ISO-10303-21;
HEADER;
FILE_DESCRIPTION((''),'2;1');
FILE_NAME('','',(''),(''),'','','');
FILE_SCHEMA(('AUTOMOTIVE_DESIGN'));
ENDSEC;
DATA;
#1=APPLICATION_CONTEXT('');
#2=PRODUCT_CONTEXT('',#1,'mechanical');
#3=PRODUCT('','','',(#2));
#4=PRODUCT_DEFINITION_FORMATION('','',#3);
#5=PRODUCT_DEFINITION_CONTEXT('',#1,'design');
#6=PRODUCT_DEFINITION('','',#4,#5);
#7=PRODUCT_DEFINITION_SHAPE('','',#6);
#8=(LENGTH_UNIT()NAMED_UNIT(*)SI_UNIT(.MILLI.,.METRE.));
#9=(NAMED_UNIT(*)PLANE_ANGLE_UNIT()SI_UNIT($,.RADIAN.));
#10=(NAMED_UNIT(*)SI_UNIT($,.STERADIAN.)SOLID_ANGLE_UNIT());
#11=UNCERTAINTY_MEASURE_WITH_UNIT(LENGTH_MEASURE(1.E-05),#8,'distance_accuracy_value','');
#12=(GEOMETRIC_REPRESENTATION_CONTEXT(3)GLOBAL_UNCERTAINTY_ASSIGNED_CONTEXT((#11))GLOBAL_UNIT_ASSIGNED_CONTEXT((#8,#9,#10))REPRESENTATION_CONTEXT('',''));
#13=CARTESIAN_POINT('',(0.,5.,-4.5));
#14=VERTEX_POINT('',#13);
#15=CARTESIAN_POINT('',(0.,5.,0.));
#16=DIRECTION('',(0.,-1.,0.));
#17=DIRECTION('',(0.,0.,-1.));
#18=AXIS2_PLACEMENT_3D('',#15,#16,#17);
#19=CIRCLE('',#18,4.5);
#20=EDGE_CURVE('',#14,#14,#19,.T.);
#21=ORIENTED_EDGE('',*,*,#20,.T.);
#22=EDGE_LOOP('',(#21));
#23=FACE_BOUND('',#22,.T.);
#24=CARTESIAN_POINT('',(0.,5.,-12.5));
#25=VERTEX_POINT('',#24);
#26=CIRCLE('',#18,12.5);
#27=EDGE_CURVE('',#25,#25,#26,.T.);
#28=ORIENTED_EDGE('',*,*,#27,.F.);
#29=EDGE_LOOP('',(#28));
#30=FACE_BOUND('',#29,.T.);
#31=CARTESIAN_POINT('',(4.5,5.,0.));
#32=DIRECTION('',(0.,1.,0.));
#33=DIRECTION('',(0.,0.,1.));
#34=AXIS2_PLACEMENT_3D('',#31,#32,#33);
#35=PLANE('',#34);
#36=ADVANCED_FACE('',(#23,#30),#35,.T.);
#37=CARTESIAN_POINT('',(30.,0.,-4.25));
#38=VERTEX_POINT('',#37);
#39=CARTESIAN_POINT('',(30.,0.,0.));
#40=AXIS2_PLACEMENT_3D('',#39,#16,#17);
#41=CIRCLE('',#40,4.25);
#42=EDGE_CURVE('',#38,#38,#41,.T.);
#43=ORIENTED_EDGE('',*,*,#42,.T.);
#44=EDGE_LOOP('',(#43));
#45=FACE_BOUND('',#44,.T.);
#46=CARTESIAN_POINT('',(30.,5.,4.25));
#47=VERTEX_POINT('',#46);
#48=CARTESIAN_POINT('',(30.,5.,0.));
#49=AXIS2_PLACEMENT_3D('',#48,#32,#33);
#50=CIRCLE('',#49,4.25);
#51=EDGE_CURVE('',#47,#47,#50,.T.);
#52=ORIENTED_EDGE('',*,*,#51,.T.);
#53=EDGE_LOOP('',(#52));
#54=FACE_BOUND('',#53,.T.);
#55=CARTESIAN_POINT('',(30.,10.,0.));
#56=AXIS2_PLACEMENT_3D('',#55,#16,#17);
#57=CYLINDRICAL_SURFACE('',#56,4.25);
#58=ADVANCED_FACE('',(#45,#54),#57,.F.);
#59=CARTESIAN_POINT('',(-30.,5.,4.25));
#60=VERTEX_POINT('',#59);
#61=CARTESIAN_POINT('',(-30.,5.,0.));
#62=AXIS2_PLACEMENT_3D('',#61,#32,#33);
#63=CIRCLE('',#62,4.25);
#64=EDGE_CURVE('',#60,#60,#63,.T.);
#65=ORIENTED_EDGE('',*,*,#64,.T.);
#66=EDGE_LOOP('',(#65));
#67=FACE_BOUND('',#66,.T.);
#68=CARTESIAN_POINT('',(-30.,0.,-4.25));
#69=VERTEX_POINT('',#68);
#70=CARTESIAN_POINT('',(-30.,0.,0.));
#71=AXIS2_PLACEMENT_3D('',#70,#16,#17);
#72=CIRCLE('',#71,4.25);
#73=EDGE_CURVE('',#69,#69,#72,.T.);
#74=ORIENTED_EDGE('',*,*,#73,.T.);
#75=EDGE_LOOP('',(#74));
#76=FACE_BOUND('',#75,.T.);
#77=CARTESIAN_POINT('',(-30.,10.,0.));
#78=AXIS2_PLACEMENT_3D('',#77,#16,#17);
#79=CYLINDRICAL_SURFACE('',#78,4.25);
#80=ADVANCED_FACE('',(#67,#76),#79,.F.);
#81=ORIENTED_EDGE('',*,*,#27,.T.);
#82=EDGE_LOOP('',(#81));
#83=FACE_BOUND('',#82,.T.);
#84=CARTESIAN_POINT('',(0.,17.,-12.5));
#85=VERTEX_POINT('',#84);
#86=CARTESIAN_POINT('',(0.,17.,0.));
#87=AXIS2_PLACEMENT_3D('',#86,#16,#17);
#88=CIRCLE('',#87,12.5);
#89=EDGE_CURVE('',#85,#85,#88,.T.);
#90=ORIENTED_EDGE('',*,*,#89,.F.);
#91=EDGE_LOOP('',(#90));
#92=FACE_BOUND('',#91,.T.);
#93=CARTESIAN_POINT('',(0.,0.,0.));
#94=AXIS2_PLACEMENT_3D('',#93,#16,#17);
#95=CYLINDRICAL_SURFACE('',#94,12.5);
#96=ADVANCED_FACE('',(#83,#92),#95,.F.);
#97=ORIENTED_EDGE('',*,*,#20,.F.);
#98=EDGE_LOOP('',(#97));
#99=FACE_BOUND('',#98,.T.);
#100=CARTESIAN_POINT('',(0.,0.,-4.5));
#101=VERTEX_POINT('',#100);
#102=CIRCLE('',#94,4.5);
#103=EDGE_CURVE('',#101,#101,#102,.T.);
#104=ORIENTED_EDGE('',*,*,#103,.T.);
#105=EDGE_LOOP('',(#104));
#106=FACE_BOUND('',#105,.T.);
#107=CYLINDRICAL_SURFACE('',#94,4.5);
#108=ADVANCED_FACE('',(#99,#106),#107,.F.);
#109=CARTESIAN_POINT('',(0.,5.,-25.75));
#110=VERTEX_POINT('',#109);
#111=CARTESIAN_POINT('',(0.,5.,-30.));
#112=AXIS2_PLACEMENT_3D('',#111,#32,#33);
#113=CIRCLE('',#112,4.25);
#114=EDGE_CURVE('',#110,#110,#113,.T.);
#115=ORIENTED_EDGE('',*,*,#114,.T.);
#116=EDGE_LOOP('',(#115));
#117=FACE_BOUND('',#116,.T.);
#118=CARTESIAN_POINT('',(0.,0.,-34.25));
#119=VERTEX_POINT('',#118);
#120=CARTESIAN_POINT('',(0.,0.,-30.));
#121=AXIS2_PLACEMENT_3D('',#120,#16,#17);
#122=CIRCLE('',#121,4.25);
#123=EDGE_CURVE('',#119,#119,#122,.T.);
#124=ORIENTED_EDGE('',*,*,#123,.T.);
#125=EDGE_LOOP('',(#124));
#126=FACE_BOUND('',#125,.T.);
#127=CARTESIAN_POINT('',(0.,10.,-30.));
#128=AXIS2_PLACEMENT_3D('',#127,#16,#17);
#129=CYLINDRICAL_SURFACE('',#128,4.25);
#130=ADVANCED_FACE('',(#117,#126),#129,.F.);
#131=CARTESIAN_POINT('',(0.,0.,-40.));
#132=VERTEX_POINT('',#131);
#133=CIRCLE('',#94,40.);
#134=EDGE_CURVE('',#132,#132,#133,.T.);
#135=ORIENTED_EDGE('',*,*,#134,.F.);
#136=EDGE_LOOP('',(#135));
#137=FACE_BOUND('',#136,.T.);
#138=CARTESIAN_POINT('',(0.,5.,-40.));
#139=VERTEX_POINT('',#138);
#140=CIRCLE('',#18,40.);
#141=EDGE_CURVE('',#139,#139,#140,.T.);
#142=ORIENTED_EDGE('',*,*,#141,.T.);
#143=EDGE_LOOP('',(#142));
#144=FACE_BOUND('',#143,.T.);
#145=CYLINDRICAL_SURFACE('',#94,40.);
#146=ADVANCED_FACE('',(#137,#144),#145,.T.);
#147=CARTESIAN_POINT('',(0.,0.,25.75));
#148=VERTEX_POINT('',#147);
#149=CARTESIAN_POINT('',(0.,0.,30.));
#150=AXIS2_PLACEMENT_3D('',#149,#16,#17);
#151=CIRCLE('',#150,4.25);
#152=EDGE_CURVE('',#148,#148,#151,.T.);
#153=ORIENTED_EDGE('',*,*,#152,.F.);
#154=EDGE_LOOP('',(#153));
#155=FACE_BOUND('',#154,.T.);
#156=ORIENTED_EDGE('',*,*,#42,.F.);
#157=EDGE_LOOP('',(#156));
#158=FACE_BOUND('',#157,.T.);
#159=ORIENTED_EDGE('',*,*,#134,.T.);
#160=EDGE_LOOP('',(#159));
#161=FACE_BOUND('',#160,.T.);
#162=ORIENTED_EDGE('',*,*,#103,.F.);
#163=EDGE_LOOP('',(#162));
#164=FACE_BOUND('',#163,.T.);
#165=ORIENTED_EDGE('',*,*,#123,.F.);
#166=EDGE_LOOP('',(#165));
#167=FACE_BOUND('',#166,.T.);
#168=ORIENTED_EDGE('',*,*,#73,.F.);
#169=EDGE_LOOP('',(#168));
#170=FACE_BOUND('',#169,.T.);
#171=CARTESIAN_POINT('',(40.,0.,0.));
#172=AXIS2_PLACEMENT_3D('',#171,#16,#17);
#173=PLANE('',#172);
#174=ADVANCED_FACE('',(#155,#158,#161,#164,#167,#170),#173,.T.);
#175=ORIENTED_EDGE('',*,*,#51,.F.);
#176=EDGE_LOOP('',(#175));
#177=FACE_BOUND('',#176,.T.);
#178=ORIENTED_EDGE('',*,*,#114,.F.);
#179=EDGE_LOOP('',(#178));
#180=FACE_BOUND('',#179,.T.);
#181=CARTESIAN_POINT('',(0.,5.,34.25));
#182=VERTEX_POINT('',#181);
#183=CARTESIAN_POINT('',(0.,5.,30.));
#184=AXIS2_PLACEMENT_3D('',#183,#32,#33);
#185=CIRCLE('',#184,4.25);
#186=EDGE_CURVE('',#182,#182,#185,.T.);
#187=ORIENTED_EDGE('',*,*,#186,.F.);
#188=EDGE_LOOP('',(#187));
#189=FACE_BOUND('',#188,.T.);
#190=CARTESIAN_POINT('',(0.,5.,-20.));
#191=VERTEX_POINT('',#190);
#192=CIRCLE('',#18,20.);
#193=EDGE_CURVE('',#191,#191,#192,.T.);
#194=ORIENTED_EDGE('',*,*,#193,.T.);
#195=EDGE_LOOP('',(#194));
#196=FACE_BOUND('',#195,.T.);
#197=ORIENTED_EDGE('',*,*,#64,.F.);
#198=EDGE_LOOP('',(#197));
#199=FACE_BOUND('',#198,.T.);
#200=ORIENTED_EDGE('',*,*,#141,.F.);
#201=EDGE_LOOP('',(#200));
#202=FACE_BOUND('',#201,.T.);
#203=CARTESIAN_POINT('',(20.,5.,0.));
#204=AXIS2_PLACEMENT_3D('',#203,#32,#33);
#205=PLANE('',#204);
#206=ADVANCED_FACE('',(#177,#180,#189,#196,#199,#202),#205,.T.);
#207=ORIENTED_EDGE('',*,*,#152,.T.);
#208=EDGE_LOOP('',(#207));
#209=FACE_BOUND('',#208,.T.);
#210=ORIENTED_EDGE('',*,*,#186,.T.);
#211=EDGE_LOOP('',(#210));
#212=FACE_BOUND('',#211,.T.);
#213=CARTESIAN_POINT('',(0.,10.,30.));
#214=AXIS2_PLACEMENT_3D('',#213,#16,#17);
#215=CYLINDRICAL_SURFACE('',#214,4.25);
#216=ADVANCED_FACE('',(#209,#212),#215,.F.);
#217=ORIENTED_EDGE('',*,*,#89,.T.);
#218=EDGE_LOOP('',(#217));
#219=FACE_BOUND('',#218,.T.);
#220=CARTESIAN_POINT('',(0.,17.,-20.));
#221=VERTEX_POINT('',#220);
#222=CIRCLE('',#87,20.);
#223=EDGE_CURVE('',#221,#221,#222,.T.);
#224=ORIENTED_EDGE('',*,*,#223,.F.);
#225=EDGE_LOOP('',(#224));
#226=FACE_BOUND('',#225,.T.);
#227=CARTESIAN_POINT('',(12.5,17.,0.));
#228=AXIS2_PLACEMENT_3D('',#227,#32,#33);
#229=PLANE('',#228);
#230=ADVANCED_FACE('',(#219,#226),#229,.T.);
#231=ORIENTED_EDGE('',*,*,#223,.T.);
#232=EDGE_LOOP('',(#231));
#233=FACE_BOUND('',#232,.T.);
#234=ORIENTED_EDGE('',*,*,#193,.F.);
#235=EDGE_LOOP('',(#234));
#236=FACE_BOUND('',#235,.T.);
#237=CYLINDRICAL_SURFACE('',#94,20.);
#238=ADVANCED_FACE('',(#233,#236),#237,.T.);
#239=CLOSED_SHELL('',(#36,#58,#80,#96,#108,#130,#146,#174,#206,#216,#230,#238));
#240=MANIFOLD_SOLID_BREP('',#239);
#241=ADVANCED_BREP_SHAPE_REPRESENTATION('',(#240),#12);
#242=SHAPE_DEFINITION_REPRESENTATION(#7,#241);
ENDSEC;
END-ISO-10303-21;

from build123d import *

# Parameters (mm, degrees)
SKETCH2_R          = 4.25
CUT_EXTRUDE1_DEPTH = 10


with BuildPart() as part:
    # Sketch1 → Revolve1 (revolve)
    with BuildSketch(Plane.XY, mode=Mode.PRIVATE) as revolve1_sk:
        Polygon((4.5, 5), (12.5, 5), (12.5, 17), (20, 17), (20, 5), (40, 5), (40, 0), (4.5, 0), align=None)
    revolve(revolve1_sk.sketch.rotate(Axis((0, 0, 0), (0, 1, 0)), 90), axis=Axis((0, 0, 0), (0, 1, 0)))

    # Sketch2 → Cut-Extrude1 (cut)
    with BuildSketch(Plane.XZ):
        with Locations(Location((0, 30, 0), (0, 0, 270))):
            Circle(SKETCH2_R)
        with Locations(Location((30, 0, 0), (0, 0, 270))):
            Circle(SKETCH2_R)
        with Locations(Location((0, -30, 0), (0, 0, 270))):
            Circle(SKETCH2_R)
        with Locations(Location((-30, 0, 0), (0, 0, 270))):
            Circle(SKETCH2_R)
    extrude(amount=-CUT_EXTRUDE1_DEPTH, mode=Mode.SUBTRACT)


solid = part.part
